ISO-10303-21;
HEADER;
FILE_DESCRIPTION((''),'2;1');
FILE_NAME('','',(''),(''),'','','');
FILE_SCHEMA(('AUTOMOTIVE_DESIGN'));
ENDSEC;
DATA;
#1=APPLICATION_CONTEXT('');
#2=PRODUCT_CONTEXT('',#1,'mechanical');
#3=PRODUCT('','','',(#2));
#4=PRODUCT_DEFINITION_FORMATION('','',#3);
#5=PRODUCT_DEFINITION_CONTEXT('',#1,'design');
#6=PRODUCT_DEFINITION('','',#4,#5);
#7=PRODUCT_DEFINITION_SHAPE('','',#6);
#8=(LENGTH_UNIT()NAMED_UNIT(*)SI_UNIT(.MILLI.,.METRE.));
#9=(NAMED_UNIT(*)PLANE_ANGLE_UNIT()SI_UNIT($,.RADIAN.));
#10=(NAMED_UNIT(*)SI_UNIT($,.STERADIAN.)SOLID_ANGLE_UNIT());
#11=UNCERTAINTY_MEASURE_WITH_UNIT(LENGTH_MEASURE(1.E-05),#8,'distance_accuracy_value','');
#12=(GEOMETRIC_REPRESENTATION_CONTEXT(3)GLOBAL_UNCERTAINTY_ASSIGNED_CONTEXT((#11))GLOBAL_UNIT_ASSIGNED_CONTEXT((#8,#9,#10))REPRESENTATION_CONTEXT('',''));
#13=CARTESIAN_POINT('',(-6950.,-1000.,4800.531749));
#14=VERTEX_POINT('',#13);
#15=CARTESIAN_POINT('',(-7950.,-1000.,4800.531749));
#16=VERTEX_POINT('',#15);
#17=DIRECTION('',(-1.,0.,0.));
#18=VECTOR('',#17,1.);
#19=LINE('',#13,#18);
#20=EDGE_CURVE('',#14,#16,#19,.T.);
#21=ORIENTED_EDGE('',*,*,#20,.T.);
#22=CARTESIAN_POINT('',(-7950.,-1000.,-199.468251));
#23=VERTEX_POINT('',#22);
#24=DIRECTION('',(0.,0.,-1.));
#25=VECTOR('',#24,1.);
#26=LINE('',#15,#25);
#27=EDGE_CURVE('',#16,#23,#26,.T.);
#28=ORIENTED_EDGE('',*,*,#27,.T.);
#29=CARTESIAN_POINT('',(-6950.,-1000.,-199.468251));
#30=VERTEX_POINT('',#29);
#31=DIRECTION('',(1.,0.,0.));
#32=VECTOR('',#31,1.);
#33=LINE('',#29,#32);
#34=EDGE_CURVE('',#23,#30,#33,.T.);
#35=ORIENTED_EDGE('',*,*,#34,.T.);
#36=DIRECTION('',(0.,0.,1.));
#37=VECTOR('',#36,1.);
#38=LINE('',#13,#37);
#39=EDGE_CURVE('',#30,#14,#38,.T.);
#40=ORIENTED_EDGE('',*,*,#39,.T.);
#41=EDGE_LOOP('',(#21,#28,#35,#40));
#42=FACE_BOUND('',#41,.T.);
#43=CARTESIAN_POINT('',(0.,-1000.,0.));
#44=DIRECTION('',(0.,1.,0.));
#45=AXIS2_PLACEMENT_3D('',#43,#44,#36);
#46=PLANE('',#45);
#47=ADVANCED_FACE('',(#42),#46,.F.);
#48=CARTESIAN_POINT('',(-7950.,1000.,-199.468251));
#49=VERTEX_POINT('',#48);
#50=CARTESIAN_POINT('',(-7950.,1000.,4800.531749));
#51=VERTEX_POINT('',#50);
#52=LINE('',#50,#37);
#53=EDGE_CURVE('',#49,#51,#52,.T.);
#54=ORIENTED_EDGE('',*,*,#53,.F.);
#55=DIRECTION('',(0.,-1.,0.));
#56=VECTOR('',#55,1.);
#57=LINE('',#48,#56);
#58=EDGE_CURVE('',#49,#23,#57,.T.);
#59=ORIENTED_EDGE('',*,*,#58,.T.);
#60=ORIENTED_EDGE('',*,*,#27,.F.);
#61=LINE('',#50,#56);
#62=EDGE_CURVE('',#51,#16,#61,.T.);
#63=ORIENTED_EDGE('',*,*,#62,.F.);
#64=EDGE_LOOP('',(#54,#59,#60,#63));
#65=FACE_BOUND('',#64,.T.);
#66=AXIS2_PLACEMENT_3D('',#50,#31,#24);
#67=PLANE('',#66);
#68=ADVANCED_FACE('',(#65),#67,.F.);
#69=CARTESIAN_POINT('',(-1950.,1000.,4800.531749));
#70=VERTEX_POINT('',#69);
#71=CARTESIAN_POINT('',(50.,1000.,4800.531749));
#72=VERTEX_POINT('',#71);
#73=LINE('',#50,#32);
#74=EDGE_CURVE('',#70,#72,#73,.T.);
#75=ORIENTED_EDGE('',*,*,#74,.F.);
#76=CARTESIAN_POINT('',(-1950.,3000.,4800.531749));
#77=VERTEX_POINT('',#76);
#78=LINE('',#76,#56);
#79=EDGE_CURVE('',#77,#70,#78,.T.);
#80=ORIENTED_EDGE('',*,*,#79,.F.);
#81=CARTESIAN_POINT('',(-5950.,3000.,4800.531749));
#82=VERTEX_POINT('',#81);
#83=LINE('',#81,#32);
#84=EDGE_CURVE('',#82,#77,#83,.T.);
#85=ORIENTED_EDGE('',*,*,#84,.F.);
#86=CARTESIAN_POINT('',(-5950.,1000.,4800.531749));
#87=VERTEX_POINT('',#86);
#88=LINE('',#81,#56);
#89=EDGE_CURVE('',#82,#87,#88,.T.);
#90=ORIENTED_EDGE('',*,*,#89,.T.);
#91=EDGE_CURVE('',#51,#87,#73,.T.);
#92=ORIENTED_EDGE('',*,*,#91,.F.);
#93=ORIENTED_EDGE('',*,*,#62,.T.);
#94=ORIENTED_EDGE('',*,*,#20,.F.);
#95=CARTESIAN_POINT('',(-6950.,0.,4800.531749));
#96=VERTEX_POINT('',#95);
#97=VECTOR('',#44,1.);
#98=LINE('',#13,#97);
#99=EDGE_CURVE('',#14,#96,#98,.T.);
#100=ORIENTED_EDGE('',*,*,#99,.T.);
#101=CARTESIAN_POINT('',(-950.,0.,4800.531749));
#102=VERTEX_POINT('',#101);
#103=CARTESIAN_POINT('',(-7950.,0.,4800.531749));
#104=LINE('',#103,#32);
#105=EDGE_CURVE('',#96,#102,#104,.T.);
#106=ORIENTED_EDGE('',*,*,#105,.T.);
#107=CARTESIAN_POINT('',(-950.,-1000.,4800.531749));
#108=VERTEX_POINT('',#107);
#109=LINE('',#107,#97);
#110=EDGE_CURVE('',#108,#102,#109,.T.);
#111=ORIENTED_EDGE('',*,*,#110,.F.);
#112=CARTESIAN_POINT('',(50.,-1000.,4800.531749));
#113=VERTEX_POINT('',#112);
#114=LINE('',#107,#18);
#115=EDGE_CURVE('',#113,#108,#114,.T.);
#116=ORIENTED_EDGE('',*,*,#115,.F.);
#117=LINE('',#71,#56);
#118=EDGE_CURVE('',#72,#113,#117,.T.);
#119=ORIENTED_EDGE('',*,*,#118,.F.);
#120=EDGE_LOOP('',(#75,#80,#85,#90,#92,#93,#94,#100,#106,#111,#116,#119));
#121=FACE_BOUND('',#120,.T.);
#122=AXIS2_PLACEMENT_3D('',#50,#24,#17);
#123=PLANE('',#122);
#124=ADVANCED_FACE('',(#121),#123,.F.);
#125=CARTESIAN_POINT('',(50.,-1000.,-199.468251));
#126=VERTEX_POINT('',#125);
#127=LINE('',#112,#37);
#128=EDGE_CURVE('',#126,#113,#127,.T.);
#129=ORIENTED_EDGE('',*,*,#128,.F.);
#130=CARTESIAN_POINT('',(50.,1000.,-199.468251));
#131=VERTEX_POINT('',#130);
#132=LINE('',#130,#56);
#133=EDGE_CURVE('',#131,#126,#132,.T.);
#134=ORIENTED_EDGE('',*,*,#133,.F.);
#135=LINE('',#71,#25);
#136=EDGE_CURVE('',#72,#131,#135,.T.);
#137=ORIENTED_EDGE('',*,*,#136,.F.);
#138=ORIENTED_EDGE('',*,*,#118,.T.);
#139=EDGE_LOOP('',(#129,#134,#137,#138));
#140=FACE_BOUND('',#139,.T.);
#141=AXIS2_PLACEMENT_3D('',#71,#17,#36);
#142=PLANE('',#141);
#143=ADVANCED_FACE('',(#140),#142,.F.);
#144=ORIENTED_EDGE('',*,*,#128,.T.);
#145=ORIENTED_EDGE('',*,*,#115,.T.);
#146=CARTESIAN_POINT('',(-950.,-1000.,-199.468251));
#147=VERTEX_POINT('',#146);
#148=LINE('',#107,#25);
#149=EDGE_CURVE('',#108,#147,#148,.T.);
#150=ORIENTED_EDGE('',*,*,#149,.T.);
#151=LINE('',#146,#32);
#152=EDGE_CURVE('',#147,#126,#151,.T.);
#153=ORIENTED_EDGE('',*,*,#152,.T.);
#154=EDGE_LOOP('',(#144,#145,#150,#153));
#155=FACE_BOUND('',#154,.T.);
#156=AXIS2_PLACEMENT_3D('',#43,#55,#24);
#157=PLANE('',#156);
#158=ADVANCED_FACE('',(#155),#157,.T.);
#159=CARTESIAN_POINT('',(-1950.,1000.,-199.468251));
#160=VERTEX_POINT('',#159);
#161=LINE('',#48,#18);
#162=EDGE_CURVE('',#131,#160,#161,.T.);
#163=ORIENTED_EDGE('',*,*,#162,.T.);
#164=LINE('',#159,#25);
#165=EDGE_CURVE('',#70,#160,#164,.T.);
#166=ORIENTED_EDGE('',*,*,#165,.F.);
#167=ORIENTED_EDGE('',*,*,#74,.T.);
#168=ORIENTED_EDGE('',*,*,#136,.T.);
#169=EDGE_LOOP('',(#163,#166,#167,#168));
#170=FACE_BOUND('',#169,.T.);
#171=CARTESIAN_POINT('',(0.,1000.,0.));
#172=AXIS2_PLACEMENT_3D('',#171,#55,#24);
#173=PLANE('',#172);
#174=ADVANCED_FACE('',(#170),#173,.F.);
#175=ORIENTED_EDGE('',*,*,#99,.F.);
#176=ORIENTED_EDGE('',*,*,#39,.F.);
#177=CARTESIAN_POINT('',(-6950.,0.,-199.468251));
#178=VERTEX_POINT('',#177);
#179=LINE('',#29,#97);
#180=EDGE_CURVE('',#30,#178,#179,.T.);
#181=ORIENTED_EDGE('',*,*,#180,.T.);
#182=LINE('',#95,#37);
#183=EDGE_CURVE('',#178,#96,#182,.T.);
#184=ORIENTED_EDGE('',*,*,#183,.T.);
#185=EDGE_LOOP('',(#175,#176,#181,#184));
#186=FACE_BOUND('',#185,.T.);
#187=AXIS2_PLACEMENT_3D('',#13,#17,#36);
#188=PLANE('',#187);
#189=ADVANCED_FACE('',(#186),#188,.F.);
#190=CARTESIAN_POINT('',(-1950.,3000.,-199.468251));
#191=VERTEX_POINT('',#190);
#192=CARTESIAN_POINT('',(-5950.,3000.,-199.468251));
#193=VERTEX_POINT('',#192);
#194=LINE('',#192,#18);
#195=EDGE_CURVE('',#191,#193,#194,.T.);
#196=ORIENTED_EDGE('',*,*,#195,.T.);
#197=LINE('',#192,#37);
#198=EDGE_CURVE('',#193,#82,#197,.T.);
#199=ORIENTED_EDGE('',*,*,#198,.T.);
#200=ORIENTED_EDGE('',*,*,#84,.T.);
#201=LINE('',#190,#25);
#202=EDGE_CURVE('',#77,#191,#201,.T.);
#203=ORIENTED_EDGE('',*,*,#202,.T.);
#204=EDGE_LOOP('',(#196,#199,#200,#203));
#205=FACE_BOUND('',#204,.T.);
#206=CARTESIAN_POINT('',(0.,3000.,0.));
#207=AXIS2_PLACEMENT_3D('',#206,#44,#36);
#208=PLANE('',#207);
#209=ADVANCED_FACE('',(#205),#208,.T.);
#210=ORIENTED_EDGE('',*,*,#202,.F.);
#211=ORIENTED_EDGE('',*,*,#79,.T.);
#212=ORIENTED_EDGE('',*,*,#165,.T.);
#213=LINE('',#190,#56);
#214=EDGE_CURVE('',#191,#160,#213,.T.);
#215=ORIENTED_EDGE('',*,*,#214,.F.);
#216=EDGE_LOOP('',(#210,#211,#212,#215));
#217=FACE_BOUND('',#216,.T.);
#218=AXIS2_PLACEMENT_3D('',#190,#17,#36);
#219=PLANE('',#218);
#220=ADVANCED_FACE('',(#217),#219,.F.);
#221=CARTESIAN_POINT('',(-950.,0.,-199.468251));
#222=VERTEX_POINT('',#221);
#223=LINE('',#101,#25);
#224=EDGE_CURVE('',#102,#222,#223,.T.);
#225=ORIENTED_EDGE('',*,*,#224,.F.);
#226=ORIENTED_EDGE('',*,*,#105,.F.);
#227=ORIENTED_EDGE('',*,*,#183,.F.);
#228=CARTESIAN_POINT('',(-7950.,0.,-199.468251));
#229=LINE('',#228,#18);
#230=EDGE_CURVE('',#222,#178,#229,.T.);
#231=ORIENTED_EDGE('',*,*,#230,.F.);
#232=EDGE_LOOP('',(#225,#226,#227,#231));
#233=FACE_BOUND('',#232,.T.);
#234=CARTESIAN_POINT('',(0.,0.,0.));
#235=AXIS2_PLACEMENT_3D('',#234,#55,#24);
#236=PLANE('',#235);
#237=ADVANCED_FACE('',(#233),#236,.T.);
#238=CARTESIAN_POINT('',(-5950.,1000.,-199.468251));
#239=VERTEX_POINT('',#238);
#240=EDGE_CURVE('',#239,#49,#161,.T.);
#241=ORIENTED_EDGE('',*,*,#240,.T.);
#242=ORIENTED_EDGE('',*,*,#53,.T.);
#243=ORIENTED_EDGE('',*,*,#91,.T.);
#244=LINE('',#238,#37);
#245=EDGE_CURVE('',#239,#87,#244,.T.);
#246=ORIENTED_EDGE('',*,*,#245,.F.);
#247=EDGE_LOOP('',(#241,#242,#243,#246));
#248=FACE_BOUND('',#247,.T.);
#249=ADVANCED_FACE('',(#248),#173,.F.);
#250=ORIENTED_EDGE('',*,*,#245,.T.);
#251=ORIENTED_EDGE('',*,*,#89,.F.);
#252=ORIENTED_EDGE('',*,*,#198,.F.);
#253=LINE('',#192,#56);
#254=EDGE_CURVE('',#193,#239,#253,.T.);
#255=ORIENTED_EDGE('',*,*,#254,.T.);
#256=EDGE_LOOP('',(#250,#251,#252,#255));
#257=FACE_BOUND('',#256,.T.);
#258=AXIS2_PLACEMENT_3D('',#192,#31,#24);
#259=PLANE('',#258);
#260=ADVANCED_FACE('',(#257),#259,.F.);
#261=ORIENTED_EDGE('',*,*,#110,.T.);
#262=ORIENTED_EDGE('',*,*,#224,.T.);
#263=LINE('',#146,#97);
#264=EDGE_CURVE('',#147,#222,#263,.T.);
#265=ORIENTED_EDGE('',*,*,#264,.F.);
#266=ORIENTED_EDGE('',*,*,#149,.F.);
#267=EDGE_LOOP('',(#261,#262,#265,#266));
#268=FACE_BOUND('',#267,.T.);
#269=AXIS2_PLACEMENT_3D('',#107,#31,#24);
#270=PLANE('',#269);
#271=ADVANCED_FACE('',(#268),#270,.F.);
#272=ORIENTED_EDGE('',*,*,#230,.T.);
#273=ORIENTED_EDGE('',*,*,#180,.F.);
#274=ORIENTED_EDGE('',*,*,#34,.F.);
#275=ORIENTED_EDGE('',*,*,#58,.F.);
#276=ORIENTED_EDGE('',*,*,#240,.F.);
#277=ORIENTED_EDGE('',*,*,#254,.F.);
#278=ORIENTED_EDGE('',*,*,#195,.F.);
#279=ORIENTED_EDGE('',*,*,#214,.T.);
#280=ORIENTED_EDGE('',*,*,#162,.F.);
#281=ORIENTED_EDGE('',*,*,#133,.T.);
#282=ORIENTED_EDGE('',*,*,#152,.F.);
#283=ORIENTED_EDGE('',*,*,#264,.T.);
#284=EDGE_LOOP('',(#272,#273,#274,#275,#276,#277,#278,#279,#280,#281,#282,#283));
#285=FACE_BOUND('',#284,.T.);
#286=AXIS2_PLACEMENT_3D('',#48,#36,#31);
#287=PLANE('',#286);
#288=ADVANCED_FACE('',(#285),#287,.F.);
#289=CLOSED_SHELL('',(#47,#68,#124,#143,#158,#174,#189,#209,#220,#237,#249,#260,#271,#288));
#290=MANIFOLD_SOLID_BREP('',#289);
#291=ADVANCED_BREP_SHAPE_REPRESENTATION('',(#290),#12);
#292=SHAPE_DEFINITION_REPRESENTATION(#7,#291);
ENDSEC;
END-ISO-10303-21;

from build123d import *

# Parameters (mm, degrees)
CROQUIS2_W              = 8000
CROQUIS2_H              = 5000
SALIENTE_EXTRUIR1_DEPTH = 1000
CROQUIS3_W              = 4000
CROQUIS3_H              = 5000
SALIENTE_EXTRUIR2_DEPTH = 2000
CROQUIS4_2_W            = 1000
CROQUIS4_2_H            = 5000
SALIENTE_EXTRUIR4_DEPTH = 1000


with BuildPart() as part:
    # Croquis2 → Saliente-Extruir1 (new body)
    with BuildSketch(Plane(origin=(0, 0, 0), x_dir=(1, 0, 0), z_dir=(0, 1, 0))):
        with Locations((-3950, -2300.531749032)):
            Rectangle(CROQUIS2_W, CROQUIS2_H)
    extrude(amount=SALIENTE_EXTRUIR1_DEPTH)

    # Croquis3 → Saliente-Extruir2 (add)
    with BuildSketch(Plane(origin=(0, 1000, 0), x_dir=(1, 0, 0), z_dir=(0, 1, 0))):
        with Locations((-3950, -2300.531749032)):
            Rectangle(CROQUIS3_W, CROQUIS3_H)
    extrude(amount=SALIENTE_EXTRUIR2_DEPTH)

    # Croquis4<2> → Saliente-Extruir4 (add)
    with BuildSketch(Plane.XZ):
        with Locations((-7450, 2300.531749032)):
            Rectangle(CROQUIS4_2_W, CROQUIS4_2_H)
        with Locations((-450, 2300.531749032)):
            Rectangle(CROQUIS4_2_W, CROQUIS4_2_H)
    extrude(amount=SALIENTE_EXTRUIR4_DEPTH)


solid = part.part
